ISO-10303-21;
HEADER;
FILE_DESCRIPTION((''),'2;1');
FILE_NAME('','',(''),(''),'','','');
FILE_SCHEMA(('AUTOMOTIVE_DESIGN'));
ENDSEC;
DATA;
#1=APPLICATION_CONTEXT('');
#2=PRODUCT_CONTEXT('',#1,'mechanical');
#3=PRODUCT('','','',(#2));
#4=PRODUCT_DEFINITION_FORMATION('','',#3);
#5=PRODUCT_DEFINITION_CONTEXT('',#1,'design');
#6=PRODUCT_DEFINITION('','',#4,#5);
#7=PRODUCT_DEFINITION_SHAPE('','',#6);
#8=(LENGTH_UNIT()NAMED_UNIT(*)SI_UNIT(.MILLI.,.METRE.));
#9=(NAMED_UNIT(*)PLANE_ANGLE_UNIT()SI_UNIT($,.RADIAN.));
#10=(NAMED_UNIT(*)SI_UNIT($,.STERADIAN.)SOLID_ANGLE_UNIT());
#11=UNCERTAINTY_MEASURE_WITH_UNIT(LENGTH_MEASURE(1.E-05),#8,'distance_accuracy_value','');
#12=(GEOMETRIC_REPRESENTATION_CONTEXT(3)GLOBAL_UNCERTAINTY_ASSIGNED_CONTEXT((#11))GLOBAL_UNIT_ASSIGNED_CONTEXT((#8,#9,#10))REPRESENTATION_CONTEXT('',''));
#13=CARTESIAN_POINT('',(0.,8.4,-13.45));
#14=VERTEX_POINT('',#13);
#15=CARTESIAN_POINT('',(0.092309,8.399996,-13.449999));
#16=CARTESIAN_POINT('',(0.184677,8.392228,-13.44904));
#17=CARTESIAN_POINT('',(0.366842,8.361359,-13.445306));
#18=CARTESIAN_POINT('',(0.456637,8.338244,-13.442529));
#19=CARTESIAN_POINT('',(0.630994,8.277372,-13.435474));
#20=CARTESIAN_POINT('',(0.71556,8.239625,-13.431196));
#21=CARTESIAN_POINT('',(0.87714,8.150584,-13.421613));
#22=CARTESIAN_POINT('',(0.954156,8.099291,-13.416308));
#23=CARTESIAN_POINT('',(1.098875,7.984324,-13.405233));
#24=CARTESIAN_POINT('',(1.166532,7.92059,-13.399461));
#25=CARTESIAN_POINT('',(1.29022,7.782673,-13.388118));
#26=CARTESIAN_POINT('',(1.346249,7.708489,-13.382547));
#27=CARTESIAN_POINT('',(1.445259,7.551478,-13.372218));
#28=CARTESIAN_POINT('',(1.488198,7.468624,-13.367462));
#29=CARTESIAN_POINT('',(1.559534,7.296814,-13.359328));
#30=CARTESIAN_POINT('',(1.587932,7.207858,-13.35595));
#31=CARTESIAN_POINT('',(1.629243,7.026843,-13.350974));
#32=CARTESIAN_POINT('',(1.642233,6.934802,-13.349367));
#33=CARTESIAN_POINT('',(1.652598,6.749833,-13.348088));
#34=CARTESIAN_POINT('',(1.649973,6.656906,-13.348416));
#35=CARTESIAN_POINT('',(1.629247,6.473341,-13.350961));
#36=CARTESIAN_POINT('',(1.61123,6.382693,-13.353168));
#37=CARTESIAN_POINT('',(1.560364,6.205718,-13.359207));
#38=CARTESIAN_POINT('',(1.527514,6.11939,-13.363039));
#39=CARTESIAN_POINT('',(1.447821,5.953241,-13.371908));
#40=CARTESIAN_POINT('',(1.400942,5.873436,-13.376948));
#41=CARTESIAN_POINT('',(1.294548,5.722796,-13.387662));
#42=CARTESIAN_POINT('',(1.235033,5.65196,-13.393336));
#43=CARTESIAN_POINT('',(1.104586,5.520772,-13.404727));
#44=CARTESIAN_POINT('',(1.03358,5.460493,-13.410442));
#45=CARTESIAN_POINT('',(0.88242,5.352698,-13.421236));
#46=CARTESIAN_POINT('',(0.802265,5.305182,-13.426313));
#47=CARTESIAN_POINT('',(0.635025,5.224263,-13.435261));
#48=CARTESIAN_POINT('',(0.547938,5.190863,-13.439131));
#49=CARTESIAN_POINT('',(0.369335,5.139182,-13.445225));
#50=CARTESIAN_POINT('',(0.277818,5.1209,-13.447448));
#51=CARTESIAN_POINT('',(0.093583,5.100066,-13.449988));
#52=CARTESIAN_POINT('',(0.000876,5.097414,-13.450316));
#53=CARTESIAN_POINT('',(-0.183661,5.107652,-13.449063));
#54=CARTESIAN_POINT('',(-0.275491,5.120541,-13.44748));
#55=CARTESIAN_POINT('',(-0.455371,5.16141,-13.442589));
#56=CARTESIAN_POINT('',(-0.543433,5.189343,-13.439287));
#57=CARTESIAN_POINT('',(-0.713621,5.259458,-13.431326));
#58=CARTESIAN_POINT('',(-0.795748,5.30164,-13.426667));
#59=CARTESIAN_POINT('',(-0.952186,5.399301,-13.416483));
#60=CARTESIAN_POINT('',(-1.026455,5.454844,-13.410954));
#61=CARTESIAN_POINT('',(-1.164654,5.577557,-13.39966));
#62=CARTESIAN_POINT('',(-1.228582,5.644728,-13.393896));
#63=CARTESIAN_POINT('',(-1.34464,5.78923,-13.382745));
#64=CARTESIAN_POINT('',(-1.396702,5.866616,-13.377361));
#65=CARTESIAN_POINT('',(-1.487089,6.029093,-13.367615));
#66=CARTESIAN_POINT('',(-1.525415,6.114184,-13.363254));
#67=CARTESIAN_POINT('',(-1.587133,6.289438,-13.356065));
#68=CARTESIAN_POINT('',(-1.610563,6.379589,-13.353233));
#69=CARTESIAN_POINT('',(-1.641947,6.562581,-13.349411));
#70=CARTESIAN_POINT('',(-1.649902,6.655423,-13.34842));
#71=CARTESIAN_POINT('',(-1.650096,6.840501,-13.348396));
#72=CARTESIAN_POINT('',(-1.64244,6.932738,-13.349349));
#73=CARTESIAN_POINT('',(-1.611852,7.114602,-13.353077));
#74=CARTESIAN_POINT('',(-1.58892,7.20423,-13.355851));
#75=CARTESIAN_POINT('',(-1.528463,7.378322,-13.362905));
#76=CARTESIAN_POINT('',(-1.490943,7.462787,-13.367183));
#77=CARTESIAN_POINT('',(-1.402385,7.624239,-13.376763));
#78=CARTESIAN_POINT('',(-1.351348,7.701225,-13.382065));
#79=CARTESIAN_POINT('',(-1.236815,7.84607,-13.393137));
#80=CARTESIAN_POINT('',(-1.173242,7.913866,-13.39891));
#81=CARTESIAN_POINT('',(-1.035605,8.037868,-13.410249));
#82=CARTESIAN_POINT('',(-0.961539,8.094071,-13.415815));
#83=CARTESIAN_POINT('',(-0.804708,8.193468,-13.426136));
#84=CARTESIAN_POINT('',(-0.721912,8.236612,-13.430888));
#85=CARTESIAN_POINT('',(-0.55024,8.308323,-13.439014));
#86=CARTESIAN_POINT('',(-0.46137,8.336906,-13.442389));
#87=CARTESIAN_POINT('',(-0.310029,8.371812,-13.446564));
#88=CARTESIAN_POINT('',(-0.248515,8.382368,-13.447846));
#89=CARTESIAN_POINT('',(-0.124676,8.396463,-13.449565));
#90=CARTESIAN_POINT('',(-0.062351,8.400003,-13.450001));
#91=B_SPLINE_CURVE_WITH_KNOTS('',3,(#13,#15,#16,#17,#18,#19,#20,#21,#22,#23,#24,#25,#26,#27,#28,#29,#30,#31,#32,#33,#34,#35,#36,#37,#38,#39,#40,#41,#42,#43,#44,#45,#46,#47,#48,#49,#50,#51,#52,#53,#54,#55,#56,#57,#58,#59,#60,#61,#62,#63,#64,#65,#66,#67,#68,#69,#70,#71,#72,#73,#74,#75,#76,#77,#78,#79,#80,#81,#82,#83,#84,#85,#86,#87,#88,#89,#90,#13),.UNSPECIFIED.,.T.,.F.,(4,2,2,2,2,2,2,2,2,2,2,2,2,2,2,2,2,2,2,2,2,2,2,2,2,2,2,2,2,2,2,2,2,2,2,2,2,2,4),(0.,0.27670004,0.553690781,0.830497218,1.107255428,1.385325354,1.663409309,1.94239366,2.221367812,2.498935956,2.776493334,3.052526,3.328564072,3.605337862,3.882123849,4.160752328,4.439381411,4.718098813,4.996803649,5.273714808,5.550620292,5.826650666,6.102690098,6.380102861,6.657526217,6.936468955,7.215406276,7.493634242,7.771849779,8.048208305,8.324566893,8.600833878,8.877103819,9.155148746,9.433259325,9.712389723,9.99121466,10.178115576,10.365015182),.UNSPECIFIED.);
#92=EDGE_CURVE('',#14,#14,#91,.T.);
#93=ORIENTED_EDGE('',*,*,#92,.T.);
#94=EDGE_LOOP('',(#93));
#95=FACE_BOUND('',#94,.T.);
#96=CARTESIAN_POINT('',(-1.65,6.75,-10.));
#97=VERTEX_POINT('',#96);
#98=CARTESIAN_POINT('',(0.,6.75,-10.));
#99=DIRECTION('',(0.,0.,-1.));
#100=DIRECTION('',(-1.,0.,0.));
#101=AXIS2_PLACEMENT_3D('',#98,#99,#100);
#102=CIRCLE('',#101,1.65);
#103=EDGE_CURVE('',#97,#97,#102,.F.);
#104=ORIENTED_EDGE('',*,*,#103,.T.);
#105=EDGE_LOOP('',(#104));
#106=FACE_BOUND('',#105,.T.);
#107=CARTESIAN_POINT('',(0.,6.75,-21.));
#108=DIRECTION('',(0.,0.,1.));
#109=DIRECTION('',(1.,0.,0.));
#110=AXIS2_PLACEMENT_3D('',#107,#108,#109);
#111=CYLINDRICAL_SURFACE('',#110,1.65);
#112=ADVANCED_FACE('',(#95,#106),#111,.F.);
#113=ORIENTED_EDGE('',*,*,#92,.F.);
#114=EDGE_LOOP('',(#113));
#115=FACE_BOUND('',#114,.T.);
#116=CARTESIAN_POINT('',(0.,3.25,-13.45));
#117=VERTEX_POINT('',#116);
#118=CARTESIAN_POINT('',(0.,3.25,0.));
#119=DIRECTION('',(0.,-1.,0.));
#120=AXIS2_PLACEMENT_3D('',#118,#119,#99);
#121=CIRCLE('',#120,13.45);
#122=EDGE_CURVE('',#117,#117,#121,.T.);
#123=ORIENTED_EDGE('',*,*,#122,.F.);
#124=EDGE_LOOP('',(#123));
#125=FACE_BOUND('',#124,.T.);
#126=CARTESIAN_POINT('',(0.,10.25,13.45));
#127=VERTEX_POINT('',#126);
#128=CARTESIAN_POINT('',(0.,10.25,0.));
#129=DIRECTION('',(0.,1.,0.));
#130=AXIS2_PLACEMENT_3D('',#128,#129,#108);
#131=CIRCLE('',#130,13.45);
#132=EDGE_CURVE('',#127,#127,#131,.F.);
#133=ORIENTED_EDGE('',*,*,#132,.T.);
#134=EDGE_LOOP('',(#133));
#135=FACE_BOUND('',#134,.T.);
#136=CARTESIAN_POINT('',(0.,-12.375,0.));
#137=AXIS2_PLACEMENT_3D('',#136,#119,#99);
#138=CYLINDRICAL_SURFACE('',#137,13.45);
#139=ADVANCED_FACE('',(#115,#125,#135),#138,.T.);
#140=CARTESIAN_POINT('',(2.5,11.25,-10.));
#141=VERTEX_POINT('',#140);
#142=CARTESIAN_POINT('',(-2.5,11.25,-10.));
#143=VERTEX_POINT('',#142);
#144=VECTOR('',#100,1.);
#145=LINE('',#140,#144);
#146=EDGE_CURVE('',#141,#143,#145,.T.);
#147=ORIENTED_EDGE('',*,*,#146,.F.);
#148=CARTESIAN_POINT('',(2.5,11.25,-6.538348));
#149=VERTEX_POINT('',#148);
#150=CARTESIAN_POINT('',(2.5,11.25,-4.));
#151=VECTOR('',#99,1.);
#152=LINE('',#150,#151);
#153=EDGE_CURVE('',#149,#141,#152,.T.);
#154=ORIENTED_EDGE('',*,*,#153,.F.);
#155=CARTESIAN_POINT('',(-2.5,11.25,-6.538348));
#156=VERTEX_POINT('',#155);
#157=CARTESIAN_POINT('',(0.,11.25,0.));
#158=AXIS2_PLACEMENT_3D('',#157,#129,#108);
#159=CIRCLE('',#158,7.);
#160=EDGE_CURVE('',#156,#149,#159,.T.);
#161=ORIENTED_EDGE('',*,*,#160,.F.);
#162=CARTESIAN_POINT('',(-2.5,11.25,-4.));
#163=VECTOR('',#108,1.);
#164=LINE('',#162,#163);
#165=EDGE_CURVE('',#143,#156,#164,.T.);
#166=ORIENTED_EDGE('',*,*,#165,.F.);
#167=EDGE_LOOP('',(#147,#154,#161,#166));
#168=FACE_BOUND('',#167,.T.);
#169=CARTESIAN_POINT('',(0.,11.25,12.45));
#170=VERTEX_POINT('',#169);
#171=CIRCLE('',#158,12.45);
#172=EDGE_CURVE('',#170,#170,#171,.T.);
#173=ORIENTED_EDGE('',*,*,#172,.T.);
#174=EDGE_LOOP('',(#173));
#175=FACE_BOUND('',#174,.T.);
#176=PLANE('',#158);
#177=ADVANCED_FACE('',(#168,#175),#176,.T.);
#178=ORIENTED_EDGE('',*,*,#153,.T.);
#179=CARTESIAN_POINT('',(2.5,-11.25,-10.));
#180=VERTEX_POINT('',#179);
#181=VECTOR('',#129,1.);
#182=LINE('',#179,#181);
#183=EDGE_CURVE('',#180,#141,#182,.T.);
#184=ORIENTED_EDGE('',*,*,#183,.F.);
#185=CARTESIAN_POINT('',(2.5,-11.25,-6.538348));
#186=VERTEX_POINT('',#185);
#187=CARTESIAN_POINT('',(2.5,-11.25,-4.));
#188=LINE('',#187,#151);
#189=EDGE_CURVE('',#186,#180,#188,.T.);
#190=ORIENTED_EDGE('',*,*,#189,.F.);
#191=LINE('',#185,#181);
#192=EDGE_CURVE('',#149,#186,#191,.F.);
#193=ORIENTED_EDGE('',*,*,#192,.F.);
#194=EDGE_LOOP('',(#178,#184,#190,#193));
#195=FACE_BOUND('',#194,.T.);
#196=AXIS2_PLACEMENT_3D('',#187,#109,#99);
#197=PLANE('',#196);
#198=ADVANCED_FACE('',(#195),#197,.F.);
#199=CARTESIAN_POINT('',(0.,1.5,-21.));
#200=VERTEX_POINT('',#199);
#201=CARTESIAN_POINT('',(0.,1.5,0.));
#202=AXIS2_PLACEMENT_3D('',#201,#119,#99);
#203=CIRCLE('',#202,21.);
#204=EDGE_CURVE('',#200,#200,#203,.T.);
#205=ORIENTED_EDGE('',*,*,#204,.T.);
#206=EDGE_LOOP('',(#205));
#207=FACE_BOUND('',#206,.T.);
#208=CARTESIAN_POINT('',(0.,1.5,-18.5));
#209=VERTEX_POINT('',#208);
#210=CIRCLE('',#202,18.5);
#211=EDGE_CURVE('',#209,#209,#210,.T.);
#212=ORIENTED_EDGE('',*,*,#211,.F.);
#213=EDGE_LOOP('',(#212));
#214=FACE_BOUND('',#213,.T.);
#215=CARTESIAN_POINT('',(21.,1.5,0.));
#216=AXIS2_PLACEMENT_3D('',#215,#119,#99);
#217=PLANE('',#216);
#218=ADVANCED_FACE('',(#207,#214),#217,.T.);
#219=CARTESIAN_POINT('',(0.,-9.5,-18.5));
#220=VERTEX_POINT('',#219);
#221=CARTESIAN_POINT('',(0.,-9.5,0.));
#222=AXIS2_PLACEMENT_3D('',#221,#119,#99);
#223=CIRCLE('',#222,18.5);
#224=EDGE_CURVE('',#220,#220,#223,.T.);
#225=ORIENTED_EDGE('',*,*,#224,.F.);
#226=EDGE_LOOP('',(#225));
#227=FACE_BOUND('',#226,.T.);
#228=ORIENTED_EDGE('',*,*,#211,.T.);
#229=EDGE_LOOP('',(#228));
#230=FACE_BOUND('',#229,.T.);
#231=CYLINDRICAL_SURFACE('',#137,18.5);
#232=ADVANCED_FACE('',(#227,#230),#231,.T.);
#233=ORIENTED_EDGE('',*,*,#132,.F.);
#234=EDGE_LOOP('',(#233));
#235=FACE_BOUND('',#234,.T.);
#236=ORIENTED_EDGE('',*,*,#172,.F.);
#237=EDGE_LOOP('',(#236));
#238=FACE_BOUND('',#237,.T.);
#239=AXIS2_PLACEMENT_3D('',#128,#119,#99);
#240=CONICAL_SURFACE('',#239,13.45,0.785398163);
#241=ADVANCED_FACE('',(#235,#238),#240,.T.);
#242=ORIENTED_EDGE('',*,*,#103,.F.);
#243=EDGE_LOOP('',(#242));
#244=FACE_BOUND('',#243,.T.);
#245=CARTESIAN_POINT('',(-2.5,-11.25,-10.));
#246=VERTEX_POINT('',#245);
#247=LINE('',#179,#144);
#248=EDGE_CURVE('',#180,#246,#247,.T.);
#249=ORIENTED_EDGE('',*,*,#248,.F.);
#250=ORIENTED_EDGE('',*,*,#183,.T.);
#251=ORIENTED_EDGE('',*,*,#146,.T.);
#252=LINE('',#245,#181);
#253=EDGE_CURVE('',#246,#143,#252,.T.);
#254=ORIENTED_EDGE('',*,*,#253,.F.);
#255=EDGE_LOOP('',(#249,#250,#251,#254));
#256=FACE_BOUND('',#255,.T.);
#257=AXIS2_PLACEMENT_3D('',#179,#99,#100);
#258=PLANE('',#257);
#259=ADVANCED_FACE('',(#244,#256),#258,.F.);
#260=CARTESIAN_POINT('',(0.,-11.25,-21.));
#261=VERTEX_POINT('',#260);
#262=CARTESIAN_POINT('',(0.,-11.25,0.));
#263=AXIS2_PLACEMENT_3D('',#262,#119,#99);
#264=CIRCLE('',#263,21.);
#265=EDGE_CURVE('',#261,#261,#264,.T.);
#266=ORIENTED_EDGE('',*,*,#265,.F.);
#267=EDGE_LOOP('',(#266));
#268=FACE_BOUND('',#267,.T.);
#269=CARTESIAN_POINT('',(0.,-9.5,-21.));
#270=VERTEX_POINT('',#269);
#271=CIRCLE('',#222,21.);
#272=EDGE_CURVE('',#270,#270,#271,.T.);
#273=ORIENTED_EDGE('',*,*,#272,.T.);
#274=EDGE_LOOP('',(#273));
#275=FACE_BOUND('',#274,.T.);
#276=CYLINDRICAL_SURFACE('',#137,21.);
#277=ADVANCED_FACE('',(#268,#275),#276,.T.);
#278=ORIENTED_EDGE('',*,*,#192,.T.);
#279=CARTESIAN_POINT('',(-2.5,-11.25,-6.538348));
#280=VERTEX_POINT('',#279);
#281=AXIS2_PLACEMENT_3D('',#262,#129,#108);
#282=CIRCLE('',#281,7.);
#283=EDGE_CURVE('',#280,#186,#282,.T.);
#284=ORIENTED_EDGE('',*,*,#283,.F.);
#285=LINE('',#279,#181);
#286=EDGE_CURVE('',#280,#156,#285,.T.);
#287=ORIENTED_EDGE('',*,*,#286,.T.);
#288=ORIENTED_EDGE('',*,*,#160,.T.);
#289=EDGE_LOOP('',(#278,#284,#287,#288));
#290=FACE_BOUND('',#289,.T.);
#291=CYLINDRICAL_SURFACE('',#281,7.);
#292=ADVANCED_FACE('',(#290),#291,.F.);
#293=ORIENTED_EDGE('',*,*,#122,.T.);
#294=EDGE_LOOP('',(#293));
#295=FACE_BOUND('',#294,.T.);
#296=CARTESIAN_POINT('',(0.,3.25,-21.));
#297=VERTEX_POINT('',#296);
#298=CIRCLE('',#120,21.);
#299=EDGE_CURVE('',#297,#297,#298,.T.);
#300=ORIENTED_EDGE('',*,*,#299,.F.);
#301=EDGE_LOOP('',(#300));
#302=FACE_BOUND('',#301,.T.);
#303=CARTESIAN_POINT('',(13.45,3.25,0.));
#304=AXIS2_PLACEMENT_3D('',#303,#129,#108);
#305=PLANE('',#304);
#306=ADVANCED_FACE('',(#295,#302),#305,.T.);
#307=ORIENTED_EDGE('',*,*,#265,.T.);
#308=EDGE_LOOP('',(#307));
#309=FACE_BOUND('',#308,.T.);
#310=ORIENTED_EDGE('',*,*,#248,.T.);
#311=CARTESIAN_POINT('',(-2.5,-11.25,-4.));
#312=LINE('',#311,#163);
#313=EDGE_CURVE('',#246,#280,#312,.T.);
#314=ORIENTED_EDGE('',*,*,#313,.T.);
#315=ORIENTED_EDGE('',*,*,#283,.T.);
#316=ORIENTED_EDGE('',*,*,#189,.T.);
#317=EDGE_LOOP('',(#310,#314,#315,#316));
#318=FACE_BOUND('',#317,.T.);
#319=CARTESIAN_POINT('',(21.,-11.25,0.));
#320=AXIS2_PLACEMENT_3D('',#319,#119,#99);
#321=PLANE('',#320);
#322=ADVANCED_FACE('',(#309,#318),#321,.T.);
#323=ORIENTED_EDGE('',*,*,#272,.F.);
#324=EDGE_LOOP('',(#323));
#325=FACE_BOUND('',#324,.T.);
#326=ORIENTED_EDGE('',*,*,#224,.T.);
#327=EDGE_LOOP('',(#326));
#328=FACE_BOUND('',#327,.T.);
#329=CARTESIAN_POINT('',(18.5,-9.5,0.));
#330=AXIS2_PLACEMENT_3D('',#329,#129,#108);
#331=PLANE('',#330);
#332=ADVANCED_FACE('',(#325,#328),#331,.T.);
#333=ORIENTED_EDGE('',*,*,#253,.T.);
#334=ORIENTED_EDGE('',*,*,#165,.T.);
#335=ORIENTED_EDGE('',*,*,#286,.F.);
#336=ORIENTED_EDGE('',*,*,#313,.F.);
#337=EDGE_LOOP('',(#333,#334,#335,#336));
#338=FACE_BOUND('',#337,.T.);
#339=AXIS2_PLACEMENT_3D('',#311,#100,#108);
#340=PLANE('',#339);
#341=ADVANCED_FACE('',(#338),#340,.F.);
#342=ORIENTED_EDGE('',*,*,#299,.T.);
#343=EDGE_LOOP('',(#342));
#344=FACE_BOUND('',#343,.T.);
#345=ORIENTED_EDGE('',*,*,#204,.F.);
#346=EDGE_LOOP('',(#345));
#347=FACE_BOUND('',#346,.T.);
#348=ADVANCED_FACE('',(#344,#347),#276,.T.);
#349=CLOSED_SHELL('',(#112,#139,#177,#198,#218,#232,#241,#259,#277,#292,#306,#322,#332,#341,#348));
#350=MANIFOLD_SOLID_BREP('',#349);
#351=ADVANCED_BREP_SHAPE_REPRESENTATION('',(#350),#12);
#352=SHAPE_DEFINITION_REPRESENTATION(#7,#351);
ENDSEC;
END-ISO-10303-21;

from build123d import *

# Parameters (mm, degrees)
SMUSSO1_SIZE             = 1
SCHIZZO2_R               = 6
TAGLIO_ESTRUSIONE1_DEPTH = 38.259227045
SCHIZZO3_R               = 1.65
TAGLIO_ESTRUSIONE2_DEPTH = 32.75787304
SCHIZZO4_R               = 7
TAGLIO_ESTRUSIONE3_DEPTH = 38.259227106
SCHIZZO5_W               = 5
SCHIZZO5_H               = 6
TAGLIO_ESTRUSIONE4_DEPTH = 38.259227106


with BuildPart() as part:
    # Schizzo1 → Rivoluzione1 (revolve)
    with BuildSketch(Plane.XY, mode=Mode.PRIVATE) as rivoluzione1_sk:
        Polygon((0, 11.25), (13.45, 11.25), (13.45, 3.25), (21, 3.25), (21, 1.5), (18.5, 1.5), (18.5, -9.5), (21, -9.5), (21, -11.25), (0, -11.25), align=None)
    revolve(rivoluzione1_sk.sketch.rotate(Axis((0, -12.375, 0), (0, 1, 0)), 90), axis=Axis((0, -12.375, 0), (0, 1, 0)))

    # Smusso1
    smusso1_edges = [part.edges().sort_by_distance(p)[0] for p in [
        (0, 11.25, 13.45),
    ]]
    chamfer(smusso1_edges, length=SMUSSO1_SIZE)

    # Schizzo2 → Taglio-Estrusione1 (cut, through all)
    with BuildSketch(Plane(origin=(0, 11.25, 0), x_dir=(1, 0, 0), z_dir=(0, 1, 0))):
        with Locations(Location((0, 0, 0), (0, 0, 270))):
            Circle(SCHIZZO2_R)
    extrude(amount=-TAGLIO_ESTRUSIONE1_DEPTH, mode=Mode.SUBTRACT)

    # Schizzo3 → Taglio-Estrusione2 (cut, through all)
    with BuildSketch(Plane.XY):
        with Locations((0, 6.75)):
            Circle(SCHIZZO3_R)
    extrude(amount=-TAGLIO_ESTRUSIONE2_DEPTH, mode=Mode.SUBTRACT)

    # Schizzo4 → Taglio-Estrusione3 (cut, through all)
    with BuildSketch(Plane(origin=(0, 11.25, 0), x_dir=(1, 0, 0), z_dir=(0, 1, 0))):
        with Locations(Location((0, 0, 0), (0, 0, 270))):
            Circle(SCHIZZO4_R)
    extrude(amount=-TAGLIO_ESTRUSIONE3_DEPTH, mode=Mode.SUBTRACT)

    # Schizzo5 → Taglio-Estrusione4 (cut, through all)
    with BuildSketch(Plane(origin=(0, 11.25, 0), x_dir=(1, 0, 0), z_dir=(0, 1, 0))):
        with Locations((0, 7)):
            Rectangle(SCHIZZO5_W, SCHIZZO5_H)
    extrude(amount=-TAGLIO_ESTRUSIONE4_DEPTH, mode=Mode.SUBTRACT)


solid = part.part
